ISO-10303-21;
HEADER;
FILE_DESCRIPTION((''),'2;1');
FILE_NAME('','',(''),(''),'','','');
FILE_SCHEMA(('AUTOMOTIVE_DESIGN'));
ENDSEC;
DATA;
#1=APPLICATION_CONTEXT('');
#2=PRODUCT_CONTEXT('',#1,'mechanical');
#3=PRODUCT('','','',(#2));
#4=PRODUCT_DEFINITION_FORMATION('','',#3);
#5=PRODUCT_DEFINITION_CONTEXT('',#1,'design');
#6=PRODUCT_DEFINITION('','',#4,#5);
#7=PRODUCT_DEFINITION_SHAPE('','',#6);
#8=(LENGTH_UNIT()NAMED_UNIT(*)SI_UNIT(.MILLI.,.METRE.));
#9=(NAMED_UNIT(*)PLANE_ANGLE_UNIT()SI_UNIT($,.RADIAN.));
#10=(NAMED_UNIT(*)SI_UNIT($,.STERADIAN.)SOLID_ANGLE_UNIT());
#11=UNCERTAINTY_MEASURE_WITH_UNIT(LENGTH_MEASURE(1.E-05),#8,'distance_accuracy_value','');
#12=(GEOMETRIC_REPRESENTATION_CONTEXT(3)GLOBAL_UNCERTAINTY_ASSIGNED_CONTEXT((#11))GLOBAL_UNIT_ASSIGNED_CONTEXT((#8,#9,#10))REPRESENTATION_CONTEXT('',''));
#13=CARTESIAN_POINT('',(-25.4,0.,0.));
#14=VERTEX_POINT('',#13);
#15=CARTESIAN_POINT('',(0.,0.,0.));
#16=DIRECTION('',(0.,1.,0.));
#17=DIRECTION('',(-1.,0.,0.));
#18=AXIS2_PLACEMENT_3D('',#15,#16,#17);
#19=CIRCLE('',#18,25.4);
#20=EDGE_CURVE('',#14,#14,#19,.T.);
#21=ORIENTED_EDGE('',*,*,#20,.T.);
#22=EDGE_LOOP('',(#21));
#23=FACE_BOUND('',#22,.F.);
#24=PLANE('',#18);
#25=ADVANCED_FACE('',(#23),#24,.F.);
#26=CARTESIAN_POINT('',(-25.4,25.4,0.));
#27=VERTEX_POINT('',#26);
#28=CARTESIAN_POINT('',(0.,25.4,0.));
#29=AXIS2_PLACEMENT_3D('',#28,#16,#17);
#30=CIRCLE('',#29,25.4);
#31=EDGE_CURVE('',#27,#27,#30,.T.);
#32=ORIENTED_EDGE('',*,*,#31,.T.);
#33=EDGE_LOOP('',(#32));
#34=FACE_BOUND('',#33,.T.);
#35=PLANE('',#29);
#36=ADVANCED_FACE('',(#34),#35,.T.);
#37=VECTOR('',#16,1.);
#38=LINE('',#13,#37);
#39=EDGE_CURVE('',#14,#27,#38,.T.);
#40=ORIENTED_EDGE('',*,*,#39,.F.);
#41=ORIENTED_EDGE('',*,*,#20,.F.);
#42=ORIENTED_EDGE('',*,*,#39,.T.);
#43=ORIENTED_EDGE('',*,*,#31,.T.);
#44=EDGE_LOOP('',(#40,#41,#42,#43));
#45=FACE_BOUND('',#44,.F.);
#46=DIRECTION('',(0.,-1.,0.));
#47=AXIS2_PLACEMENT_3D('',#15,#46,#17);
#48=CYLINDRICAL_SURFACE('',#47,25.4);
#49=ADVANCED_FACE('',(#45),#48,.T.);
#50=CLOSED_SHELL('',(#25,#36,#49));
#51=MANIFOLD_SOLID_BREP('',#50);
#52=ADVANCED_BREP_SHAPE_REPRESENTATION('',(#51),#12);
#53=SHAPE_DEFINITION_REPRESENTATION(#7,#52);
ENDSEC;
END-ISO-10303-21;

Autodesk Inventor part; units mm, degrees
ref_plane "YZ Plane" through (0, 0, 0) normal (1, 0, 0) x (0, 1, 0)
ref_plane "XZ Plane" through (0, 0, 0) normal (0, 1, 0) x (-1, 0, 0)
ref_plane "XY Plane" through (0, 0, 0) normal (0, 0, 1) x (1, 0, 0)
sketch "Sketch1" plane through (0, 0, 0) normal (0, 1, 0) x (-1, 0, 0)
  circle A0 centre (0, 0) radius 25.4
  dimension "d0" = 50.8
extrude "Extrusion1" add sketch "Sketch1" along normal blind 25.4
properties part number "CIR4CLE"
